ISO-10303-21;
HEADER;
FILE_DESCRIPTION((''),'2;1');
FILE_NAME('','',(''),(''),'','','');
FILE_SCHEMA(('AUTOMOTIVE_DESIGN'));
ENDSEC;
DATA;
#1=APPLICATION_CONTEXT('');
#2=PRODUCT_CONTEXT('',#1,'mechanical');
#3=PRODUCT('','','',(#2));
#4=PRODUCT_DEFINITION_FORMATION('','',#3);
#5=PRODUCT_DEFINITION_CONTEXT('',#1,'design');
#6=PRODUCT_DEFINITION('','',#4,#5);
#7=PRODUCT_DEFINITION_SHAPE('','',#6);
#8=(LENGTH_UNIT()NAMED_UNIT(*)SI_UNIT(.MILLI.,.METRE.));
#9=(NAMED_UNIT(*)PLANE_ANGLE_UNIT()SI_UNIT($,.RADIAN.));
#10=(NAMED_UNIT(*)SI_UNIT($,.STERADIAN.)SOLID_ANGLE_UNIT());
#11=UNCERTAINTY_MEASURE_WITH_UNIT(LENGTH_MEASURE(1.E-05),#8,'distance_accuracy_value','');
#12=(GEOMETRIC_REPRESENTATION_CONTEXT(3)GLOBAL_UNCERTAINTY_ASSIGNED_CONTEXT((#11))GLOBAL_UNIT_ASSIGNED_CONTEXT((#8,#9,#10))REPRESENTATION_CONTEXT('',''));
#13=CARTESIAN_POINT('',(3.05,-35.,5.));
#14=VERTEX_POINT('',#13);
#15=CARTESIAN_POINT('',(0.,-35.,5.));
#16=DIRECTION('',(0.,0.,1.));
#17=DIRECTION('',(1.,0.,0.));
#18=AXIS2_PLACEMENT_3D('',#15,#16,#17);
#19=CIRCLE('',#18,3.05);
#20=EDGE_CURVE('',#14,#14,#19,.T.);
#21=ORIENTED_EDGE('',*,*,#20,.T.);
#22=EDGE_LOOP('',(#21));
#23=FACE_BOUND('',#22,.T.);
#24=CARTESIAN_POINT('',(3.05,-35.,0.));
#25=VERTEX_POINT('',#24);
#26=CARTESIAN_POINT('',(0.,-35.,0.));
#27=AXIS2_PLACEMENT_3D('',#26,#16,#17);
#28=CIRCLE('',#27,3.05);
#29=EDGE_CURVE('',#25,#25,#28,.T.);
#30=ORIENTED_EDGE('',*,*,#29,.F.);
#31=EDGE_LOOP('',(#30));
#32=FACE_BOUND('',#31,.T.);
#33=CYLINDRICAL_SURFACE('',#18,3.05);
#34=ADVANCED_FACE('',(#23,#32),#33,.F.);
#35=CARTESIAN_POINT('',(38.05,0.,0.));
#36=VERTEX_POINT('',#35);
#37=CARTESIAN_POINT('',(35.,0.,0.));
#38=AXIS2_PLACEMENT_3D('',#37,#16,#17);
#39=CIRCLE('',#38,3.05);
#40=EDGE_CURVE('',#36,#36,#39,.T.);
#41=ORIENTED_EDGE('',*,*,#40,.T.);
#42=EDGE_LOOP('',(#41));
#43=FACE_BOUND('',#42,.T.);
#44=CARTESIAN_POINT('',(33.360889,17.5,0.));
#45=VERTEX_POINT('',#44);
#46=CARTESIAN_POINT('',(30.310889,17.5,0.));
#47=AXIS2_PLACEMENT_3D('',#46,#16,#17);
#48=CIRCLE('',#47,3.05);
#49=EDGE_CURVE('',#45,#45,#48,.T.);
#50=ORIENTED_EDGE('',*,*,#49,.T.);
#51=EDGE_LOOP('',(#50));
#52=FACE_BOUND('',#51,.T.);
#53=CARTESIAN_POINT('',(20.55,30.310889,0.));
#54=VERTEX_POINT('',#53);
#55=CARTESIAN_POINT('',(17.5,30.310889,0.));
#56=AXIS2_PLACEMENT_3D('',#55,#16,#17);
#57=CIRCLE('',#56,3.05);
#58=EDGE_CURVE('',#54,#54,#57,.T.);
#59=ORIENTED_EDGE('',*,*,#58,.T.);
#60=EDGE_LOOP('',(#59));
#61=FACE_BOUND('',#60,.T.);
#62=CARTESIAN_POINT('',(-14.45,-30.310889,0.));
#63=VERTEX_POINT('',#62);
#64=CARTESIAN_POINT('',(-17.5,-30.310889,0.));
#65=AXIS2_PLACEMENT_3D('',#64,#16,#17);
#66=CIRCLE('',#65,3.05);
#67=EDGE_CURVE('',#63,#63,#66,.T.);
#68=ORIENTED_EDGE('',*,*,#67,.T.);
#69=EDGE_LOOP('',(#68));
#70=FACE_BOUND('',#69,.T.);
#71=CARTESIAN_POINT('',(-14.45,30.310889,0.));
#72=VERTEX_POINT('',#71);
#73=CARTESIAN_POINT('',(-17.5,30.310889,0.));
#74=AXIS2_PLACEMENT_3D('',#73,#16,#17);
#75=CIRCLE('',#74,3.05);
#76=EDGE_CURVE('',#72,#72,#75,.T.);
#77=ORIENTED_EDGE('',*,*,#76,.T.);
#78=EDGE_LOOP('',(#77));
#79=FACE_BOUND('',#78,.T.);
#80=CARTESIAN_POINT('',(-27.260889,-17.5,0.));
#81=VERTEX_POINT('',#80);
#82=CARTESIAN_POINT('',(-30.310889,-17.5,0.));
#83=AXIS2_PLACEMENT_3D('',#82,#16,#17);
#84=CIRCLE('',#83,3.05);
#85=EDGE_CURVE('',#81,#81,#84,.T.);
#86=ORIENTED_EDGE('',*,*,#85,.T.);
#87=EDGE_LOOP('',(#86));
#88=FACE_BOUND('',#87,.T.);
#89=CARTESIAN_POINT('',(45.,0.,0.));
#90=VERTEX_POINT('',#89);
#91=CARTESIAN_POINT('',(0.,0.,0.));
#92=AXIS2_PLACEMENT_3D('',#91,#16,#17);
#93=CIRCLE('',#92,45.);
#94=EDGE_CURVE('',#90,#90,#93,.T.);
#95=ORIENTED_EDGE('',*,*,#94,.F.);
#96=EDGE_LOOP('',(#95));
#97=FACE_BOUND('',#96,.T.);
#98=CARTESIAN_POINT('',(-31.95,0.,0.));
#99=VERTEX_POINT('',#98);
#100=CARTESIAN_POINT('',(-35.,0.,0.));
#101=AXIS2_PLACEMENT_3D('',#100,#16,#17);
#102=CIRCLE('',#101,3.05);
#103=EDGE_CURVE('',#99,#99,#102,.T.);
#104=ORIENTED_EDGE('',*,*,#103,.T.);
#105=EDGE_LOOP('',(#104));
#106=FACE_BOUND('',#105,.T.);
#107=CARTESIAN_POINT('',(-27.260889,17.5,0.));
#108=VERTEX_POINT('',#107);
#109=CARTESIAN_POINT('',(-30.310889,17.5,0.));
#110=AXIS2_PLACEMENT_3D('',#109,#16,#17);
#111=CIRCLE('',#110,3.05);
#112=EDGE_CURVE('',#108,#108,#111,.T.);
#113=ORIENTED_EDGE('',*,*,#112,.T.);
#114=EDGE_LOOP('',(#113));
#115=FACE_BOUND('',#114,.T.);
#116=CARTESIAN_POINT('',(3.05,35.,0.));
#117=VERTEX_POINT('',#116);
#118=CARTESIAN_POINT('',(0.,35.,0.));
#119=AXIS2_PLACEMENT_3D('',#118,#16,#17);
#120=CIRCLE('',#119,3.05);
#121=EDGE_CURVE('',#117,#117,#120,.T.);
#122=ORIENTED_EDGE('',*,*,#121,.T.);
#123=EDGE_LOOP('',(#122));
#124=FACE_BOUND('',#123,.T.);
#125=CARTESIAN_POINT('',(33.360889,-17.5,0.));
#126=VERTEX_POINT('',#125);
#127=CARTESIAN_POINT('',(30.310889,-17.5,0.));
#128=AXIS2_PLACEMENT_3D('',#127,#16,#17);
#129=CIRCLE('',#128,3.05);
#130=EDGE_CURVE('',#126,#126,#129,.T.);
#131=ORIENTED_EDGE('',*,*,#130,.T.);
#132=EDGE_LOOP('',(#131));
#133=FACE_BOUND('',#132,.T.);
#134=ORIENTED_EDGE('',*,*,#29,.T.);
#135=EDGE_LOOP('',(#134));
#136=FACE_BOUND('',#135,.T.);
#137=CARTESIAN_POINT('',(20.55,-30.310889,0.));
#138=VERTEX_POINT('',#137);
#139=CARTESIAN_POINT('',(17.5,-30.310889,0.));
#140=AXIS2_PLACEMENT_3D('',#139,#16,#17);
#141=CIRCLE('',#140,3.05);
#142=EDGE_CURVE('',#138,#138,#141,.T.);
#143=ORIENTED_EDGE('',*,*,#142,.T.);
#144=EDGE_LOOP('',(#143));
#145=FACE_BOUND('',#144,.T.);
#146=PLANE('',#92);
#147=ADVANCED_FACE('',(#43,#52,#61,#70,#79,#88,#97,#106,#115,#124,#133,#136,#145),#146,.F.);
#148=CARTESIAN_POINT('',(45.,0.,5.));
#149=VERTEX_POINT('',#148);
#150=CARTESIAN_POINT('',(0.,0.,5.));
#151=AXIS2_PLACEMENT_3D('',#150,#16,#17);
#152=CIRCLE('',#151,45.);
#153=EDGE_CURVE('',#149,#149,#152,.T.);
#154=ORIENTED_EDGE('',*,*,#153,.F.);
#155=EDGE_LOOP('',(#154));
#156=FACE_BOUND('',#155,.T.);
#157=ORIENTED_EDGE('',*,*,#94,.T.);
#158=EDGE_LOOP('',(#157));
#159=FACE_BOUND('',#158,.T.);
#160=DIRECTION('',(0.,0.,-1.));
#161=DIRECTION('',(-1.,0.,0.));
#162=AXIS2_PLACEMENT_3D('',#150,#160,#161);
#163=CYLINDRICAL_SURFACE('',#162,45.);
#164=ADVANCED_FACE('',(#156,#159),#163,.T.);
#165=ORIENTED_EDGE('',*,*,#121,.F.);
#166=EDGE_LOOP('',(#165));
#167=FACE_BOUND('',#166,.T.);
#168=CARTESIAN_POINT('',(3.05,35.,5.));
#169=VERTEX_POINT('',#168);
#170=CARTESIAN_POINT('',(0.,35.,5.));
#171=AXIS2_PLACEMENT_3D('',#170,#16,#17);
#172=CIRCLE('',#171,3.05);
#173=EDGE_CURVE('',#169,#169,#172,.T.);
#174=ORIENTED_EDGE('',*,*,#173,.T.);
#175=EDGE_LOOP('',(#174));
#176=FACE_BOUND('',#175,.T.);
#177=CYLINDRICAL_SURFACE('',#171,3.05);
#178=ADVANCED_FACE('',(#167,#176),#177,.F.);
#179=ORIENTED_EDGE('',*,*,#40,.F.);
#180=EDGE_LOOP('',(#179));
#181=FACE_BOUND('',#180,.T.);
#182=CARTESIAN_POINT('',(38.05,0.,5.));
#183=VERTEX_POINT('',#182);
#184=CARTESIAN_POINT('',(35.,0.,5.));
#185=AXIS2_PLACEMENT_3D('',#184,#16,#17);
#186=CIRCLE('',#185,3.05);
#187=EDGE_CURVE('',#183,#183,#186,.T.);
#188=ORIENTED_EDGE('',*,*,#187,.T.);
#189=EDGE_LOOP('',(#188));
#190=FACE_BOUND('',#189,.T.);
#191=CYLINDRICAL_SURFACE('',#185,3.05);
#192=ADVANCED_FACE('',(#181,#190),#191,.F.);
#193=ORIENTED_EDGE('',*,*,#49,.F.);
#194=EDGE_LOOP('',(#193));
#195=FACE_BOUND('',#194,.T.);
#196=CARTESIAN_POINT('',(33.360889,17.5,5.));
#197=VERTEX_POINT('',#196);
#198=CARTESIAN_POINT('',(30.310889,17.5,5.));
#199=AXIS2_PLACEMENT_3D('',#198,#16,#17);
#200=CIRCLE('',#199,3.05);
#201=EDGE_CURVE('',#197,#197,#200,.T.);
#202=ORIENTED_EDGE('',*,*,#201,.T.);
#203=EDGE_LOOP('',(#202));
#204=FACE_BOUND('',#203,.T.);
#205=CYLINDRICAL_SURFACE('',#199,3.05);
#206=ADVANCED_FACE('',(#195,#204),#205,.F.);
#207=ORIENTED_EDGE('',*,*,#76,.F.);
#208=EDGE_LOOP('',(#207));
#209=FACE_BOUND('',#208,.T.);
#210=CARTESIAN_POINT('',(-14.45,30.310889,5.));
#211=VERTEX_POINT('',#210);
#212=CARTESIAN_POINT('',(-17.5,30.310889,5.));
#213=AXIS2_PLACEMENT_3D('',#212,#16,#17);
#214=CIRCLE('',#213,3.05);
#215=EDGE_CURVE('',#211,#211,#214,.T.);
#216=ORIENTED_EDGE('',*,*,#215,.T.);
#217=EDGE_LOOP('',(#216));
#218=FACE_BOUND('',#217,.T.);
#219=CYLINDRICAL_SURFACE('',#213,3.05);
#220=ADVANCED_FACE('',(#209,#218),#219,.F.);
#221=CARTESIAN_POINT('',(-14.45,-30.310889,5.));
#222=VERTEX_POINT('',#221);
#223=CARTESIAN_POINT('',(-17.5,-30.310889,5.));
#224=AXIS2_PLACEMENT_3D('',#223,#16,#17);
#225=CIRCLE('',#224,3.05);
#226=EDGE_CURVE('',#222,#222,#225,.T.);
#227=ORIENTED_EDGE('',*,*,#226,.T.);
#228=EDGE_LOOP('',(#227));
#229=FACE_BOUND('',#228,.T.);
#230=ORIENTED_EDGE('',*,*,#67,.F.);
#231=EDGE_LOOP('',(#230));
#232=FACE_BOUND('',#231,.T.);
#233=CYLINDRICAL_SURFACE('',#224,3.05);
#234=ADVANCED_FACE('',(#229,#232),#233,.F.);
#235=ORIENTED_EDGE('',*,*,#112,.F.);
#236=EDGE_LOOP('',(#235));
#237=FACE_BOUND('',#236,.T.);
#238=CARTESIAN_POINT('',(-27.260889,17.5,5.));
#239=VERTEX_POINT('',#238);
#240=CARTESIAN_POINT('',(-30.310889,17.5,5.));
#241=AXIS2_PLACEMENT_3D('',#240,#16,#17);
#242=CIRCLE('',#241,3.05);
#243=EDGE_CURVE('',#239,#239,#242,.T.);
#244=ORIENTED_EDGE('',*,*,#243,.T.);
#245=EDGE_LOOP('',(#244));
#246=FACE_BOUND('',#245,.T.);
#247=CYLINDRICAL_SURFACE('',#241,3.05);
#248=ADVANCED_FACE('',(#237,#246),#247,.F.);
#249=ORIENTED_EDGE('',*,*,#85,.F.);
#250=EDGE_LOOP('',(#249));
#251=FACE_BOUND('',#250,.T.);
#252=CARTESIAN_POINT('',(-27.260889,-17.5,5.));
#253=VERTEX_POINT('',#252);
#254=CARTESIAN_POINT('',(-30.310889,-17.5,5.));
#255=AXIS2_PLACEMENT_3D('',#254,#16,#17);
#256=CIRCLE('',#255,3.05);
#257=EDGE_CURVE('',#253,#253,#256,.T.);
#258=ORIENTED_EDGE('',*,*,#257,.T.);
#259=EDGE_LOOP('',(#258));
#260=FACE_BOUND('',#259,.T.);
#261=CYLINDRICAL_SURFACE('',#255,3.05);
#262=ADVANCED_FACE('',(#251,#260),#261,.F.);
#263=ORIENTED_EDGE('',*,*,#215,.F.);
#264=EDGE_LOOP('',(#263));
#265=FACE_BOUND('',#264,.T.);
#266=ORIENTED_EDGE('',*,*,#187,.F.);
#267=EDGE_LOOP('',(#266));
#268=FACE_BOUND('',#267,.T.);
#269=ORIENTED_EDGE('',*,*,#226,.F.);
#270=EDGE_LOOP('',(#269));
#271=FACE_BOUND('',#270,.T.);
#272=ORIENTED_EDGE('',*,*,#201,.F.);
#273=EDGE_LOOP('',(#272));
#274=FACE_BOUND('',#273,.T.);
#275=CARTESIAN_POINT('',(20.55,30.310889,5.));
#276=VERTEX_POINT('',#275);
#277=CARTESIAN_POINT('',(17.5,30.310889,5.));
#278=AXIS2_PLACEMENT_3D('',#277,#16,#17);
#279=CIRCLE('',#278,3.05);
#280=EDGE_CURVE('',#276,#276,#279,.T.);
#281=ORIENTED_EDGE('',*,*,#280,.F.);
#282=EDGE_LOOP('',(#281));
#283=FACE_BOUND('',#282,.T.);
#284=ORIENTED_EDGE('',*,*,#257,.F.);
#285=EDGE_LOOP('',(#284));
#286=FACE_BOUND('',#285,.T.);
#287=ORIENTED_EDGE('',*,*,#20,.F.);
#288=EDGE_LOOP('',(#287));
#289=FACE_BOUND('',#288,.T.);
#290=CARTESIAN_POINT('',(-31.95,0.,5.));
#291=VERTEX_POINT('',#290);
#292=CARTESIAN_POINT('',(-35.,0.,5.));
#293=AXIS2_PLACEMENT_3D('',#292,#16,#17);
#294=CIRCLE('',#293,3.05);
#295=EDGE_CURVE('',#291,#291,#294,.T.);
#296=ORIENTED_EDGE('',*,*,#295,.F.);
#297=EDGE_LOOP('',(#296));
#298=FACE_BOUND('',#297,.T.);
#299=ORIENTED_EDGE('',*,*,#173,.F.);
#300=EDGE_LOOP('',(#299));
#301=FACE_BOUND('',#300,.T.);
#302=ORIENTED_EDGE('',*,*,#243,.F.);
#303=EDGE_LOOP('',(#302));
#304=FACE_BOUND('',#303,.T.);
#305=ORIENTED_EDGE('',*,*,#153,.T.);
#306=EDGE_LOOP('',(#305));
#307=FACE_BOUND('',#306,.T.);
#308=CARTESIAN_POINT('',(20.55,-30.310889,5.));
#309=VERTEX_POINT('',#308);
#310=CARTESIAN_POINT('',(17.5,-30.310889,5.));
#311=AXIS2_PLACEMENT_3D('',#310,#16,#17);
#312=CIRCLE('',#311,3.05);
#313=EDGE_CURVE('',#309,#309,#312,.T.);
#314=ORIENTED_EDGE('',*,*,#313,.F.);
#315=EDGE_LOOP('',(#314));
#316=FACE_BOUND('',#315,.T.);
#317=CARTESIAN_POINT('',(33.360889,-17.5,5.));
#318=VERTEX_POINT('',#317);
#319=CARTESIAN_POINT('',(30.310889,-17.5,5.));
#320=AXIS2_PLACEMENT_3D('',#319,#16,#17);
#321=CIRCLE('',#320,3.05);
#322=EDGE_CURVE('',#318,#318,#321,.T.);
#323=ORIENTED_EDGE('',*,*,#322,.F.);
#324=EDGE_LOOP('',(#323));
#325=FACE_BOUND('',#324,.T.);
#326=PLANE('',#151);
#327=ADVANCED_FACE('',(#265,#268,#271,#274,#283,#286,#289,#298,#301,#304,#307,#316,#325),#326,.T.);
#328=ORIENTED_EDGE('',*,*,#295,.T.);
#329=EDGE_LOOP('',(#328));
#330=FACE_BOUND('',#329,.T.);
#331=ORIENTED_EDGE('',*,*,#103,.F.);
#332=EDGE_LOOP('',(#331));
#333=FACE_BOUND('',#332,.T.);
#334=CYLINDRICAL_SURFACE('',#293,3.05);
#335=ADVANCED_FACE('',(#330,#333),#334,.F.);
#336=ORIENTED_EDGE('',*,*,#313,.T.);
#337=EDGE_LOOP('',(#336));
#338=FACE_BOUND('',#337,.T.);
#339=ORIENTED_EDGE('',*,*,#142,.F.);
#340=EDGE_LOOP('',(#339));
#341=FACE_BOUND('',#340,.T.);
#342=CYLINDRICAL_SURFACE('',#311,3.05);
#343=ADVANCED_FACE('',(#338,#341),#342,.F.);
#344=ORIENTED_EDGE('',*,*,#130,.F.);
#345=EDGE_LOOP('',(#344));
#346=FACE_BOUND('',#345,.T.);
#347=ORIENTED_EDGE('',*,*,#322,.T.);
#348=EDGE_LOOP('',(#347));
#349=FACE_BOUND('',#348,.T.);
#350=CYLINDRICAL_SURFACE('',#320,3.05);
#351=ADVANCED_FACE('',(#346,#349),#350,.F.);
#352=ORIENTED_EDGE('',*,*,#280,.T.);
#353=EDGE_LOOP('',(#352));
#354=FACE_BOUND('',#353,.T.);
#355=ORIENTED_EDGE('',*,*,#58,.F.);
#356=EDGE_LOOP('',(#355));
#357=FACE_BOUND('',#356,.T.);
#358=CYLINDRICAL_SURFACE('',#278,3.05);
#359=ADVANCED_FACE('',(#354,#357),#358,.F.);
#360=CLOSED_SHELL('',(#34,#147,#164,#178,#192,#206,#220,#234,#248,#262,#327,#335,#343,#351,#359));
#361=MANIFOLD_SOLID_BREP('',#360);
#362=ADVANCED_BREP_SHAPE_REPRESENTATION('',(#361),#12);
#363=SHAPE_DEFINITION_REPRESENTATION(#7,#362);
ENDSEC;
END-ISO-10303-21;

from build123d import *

# Parameters (mm, degrees)
SKETCH1_R                      = 45
BOSS_EXTRUDE1_DEPTH            = 5
F_6_1_6_1_DIAMETER_HOLE1_D     = 6.1
F_6_1_6_1_DIAMETER_HOLE1_DEPTH = 10
F_6_1_6_1_DIAMETER_HOLE1_TIP   = 1.832624888


with BuildPart() as part:
    # Sketch1 → Boss-Extrude1 (new body)
    with BuildSketch(Plane.XY):
        Circle(SKETCH1_R)
    extrude(amount=BOSS_EXTRUDE1_DEPTH)

    # Ø6.1 (6.1) Diameter Hole1
    with Locations(Plane.XY.offset(5)):
        with Locations((-35, 0), (-30.310889132, 17.5), (-17.5, 30.310889132), (0, 35), (17.5, 30.310889132), (30.310889132, 17.5), (35, 0), (30.310889132, -17.5), (17.5, -30.310889132), (0, -35), (-17.5, -30.310889132), (-30.310889132, -17.5)):
            Hole(F_6_1_6_1_DIAMETER_HOLE1_D / 2, depth=F_6_1_6_1_DIAMETER_HOLE1_DEPTH)
            with Locations((0, 0, -(F_6_1_6_1_DIAMETER_HOLE1_DEPTH + F_6_1_6_1_DIAMETER_HOLE1_TIP / 2))):  # 118° drill point
                Cone(0, F_6_1_6_1_DIAMETER_HOLE1_D / 2, F_6_1_6_1_DIAMETER_HOLE1_TIP, mode=Mode.SUBTRACT)


solid = part.part
